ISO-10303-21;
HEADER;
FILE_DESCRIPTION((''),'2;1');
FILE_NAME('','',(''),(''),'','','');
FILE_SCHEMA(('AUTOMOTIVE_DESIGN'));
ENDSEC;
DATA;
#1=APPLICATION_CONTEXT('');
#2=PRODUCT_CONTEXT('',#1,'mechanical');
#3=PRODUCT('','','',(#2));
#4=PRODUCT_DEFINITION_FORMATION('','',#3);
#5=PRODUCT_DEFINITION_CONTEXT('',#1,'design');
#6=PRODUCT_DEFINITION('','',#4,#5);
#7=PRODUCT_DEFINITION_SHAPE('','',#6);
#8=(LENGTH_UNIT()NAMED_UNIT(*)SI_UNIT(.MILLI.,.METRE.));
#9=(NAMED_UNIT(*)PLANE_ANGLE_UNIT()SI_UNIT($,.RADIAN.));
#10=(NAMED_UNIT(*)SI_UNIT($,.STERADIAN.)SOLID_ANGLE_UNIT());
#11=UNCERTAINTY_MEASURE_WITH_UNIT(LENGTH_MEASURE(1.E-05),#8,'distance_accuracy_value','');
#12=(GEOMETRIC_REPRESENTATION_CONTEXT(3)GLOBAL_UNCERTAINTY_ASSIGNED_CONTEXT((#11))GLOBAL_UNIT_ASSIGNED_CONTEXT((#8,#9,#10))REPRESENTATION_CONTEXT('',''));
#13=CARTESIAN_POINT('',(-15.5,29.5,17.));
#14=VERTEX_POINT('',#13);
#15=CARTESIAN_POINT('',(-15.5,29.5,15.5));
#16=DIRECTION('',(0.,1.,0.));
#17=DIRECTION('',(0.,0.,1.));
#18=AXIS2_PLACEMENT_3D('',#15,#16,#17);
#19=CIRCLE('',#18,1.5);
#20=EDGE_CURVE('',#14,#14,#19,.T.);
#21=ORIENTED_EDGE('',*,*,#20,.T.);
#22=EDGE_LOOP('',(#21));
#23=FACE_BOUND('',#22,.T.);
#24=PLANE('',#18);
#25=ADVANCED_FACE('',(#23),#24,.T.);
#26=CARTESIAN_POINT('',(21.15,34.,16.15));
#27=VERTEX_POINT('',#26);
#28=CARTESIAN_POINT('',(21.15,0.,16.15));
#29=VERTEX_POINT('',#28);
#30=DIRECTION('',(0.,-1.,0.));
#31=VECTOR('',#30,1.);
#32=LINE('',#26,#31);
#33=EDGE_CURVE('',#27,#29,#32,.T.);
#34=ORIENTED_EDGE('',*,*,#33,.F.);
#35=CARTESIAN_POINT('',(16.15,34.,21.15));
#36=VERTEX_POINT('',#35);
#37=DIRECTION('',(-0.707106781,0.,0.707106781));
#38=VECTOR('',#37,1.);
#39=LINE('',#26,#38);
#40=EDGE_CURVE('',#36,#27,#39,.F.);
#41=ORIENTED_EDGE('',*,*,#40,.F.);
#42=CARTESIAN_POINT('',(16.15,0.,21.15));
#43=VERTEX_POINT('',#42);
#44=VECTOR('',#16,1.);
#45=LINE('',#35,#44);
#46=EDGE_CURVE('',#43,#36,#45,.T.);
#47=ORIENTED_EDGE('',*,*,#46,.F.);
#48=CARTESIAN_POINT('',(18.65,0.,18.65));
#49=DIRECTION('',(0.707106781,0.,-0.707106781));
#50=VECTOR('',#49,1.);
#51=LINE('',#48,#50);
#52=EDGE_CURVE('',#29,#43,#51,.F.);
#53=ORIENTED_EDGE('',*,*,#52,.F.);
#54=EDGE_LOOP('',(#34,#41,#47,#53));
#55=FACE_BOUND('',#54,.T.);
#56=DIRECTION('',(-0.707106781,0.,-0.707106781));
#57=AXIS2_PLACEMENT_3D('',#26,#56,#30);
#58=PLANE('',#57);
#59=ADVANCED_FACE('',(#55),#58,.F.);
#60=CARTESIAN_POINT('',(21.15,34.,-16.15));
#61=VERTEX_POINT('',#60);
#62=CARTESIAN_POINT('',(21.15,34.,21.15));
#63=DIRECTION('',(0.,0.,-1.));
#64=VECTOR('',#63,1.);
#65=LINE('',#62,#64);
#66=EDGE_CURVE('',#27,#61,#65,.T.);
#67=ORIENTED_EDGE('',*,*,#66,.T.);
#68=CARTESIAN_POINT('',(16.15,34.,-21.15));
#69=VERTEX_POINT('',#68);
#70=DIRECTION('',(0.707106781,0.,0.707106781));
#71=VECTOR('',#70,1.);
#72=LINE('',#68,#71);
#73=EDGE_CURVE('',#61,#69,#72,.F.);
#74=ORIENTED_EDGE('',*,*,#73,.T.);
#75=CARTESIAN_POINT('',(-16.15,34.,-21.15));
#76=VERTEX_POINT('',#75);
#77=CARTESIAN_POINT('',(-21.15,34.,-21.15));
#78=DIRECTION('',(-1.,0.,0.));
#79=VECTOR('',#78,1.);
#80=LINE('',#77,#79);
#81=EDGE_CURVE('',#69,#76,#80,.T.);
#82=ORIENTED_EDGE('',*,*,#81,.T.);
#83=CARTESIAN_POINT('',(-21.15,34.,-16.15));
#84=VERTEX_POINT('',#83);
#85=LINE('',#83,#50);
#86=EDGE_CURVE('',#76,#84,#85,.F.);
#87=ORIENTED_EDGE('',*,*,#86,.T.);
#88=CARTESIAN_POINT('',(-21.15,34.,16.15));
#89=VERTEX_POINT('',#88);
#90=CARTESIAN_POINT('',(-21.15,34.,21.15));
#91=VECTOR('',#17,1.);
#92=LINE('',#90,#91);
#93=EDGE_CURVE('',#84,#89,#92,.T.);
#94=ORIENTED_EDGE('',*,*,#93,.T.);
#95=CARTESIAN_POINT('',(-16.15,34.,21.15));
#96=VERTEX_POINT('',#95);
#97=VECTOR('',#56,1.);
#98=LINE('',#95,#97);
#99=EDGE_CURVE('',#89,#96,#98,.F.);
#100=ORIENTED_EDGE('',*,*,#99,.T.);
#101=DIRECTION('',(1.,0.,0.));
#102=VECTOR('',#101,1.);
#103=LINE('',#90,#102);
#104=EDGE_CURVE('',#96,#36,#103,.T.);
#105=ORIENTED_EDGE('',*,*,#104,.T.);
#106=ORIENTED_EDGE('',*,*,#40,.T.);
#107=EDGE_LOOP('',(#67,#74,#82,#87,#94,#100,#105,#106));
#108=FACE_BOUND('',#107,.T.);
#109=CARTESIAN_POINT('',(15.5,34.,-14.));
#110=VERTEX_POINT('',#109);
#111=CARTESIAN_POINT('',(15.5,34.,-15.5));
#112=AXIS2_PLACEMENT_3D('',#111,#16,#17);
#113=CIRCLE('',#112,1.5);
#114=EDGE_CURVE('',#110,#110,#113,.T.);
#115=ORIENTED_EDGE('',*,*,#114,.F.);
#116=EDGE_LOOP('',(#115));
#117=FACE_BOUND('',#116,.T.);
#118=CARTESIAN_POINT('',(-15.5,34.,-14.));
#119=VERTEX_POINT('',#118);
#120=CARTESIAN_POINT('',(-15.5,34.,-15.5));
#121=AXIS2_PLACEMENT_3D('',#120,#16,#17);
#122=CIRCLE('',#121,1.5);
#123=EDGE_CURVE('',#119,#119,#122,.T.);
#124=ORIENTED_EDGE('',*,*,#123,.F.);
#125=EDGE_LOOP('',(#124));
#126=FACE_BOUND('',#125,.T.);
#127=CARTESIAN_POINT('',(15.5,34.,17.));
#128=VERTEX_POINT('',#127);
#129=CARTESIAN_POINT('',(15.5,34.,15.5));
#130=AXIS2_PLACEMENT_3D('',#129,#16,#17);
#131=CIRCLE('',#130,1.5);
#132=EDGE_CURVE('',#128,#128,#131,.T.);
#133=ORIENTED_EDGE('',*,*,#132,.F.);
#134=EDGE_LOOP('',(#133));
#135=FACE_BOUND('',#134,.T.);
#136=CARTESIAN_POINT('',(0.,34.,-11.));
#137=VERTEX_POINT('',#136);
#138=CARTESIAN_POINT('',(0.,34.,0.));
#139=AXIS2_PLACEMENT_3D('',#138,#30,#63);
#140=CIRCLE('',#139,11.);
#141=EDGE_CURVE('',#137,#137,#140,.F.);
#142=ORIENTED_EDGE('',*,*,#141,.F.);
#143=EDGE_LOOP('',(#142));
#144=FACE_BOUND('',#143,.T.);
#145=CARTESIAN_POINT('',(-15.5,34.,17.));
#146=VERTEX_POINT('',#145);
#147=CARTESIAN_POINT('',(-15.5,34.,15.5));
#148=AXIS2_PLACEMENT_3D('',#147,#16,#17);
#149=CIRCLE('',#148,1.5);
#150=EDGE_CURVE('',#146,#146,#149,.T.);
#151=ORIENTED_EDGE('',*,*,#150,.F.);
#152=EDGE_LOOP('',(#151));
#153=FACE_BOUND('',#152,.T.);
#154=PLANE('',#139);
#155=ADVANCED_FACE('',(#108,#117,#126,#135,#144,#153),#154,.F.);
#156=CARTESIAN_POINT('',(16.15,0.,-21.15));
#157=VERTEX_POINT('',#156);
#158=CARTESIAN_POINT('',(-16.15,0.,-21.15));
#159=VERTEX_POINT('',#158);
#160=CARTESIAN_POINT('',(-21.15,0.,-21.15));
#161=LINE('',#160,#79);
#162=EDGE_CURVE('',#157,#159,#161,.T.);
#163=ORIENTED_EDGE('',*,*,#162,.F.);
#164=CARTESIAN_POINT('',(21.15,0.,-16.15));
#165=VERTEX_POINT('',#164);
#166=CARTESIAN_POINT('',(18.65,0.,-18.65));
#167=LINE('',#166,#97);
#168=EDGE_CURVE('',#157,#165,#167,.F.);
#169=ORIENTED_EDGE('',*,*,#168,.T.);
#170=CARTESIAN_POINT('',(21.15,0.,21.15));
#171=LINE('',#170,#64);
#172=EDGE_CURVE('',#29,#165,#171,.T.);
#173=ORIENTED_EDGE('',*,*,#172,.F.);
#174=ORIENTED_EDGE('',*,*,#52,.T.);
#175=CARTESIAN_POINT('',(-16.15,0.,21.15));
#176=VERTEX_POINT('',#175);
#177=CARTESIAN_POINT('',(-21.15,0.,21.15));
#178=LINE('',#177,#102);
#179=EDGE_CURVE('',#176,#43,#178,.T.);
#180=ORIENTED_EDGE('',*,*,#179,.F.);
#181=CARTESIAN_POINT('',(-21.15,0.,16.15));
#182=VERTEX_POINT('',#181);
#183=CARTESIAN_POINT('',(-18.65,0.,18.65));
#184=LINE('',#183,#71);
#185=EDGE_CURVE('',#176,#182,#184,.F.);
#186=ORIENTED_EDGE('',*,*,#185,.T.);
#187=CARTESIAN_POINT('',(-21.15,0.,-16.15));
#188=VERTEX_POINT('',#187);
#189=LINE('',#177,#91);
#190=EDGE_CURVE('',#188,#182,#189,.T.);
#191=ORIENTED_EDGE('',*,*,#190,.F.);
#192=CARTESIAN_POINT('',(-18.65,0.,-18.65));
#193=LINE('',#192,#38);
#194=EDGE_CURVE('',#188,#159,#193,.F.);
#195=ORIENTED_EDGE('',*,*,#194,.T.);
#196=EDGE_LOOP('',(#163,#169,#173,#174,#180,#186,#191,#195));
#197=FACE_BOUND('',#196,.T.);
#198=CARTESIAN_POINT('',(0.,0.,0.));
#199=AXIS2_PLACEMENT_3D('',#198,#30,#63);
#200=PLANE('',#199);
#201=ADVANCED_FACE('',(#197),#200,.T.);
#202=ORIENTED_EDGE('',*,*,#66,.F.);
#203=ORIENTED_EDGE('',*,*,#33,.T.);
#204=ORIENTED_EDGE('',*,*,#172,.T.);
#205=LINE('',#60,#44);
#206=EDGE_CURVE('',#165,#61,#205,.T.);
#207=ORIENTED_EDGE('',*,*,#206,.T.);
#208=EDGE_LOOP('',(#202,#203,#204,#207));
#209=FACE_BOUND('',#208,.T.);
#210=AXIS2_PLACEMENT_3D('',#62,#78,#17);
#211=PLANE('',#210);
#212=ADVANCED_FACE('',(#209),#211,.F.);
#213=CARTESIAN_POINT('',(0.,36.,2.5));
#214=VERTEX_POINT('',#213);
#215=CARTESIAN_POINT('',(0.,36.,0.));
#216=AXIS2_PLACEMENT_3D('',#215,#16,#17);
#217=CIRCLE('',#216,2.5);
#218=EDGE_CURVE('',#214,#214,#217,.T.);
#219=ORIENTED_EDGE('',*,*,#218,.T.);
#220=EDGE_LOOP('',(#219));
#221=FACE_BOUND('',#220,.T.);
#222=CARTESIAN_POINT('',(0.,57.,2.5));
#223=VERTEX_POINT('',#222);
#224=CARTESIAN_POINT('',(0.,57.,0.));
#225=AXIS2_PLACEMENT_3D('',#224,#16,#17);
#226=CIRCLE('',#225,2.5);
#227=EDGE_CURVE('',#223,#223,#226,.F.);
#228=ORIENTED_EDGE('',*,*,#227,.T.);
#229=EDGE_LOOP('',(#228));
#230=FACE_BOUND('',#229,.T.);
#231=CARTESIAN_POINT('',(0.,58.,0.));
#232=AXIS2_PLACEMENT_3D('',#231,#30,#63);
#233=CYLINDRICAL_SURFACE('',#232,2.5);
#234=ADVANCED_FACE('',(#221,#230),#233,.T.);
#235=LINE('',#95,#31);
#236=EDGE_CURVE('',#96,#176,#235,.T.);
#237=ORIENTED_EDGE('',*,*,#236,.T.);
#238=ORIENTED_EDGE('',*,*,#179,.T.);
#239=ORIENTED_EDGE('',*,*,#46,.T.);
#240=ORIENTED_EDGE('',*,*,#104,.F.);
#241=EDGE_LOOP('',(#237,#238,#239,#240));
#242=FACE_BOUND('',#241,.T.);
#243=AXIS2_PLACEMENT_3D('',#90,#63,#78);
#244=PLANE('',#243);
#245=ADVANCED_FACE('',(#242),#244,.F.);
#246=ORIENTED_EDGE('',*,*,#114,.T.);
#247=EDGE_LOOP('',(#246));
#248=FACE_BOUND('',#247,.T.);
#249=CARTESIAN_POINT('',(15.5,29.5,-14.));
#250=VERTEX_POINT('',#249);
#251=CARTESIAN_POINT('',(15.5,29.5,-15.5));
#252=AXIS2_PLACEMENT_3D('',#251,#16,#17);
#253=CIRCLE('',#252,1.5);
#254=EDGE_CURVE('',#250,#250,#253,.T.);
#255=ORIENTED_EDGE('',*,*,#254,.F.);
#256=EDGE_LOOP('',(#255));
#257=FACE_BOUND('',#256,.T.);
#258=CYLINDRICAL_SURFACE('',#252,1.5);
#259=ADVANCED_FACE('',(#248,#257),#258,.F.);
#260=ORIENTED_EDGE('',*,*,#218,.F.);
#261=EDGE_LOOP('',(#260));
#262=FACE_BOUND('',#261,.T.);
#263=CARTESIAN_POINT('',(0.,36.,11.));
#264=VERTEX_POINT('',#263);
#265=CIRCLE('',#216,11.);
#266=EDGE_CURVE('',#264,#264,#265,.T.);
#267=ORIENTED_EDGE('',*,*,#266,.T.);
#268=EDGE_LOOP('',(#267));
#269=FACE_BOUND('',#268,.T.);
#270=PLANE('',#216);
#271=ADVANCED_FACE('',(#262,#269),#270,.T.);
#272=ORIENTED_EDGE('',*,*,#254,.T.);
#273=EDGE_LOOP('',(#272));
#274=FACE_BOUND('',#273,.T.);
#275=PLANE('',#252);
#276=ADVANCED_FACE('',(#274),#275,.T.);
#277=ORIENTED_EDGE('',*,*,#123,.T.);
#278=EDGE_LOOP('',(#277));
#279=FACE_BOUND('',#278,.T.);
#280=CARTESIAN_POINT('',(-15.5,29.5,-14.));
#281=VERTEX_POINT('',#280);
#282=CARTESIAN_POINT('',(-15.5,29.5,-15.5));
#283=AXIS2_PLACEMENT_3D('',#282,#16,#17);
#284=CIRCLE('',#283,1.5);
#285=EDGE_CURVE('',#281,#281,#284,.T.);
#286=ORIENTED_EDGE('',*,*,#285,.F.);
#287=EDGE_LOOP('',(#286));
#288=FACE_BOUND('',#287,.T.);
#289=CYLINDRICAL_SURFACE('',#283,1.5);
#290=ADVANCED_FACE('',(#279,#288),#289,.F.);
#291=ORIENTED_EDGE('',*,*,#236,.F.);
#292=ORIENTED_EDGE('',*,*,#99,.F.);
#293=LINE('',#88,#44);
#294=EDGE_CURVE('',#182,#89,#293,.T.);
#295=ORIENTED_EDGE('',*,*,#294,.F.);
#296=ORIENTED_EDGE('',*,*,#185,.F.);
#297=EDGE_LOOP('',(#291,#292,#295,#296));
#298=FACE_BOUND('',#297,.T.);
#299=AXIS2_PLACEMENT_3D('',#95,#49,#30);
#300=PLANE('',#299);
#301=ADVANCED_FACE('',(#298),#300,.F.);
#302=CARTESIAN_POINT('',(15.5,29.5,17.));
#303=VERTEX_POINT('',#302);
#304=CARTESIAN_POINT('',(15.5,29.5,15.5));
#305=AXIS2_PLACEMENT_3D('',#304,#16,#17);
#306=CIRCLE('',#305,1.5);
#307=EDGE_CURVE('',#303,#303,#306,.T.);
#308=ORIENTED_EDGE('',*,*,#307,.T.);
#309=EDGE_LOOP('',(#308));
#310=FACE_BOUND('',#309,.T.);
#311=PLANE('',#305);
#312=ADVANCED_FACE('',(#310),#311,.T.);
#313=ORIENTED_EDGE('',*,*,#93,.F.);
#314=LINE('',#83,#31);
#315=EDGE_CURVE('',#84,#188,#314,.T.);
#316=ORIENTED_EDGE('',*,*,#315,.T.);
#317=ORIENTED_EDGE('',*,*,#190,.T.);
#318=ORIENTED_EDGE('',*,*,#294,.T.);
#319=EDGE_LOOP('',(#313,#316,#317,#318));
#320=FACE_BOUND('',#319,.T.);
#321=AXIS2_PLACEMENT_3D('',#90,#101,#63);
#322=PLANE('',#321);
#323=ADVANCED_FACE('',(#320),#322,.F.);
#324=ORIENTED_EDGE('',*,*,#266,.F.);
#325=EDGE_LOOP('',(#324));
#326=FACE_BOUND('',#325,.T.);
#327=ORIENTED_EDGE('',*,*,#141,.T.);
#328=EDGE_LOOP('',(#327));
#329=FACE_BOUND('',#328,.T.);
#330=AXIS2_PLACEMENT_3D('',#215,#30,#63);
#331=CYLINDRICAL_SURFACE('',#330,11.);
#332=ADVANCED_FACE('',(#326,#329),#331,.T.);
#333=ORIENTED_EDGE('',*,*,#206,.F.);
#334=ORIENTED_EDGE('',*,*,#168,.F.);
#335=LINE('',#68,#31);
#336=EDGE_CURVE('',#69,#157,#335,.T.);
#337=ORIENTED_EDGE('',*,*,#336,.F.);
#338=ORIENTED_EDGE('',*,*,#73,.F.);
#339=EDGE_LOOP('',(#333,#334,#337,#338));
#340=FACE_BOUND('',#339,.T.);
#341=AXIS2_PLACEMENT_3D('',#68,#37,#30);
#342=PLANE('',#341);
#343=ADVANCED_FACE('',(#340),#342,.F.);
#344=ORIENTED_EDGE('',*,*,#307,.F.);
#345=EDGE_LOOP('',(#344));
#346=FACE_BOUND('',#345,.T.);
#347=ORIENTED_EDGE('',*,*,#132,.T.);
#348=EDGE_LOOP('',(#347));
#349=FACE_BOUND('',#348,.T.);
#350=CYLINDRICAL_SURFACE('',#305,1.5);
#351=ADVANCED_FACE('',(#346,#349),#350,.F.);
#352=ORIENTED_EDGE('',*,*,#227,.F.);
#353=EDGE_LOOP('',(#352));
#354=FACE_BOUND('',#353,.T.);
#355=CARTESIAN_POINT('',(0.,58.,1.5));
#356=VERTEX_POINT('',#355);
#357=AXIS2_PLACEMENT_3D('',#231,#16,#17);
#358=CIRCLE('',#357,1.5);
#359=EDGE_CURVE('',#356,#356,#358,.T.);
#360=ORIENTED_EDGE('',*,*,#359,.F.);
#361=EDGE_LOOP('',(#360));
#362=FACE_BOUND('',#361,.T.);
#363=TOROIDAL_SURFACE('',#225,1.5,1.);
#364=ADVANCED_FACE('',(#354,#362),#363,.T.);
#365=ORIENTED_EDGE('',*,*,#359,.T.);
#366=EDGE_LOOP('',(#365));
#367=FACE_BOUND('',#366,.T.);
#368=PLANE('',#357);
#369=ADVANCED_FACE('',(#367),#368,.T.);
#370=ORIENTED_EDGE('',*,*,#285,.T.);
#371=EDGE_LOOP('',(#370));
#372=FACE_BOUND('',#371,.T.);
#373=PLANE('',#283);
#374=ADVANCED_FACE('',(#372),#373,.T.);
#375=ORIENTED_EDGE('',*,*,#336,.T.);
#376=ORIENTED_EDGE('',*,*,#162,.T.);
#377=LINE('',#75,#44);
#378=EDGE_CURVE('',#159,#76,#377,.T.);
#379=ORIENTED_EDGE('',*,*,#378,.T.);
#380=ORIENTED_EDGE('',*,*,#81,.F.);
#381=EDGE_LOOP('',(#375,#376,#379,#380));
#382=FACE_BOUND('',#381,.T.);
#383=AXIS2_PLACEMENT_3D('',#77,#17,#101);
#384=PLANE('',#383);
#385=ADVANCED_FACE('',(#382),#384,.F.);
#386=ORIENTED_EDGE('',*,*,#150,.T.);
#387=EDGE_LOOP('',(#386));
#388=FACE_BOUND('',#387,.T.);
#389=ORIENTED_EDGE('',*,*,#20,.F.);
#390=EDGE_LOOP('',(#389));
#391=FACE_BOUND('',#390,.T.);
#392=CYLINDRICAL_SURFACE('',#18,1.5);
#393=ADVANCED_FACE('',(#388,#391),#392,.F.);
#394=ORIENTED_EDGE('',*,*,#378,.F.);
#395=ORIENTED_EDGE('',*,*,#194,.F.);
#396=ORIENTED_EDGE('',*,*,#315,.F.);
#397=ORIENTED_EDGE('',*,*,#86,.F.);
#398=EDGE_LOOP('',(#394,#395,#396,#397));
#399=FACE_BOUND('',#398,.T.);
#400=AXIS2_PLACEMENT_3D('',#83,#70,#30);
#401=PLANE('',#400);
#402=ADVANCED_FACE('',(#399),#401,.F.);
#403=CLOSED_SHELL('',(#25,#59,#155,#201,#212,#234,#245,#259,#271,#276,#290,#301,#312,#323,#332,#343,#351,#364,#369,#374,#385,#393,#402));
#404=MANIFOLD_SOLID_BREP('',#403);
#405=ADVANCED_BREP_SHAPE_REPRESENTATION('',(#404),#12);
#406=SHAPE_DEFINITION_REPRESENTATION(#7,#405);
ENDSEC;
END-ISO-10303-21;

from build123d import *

# Parameters (mm, degrees)
SKETCH1_W           = 42.3
SKETCH1_H           = 42.3
BOSS_EXTRUDE1_DEPTH = 34
SKETCH2_R           = 2.5
BOSS_EXTRUDE2_DEPTH = 24
SKETCH3_R           = 11
BOSS_EXTRUDE3_DEPTH = 2
SKETCH4_R           = 1.5
CUT_EXTRUDE1_DEPTH  = 4.5
CHAMFER1_SIZE       = 5
FILLET1_R           = 1


with BuildPart() as part:
    # Sketch1 → Boss-Extrude1 (new body)
    with BuildSketch(Plane(origin=(0, 0, 0), x_dir=(1, 0, 0), z_dir=(0, 1, 0))):
        Rectangle(SKETCH1_W, SKETCH1_H)
    extrude(amount=BOSS_EXTRUDE1_DEPTH)

    # Sketch2 → Boss-Extrude2 (add)
    with BuildSketch(Plane(origin=(0, 34, 0), x_dir=(1, 0, 0), z_dir=(0, 1, 0))):
        with Locations(Location((0, 0, 0), (0, 0, 90))):
            Circle(SKETCH2_R)
    extrude(amount=BOSS_EXTRUDE2_DEPTH)

    # Sketch3 → Boss-Extrude3 (add)
    with BuildSketch(Plane(origin=(0, 34, 0), x_dir=(1, 0, 0), z_dir=(0, 1, 0))):
        with Locations(Location((0, 0, 0), (0, 0, 90))):
            Circle(SKETCH3_R)
    extrude(amount=BOSS_EXTRUDE3_DEPTH)

    # Sketch4 → Cut-Extrude1 (cut)
    with BuildSketch(Plane(origin=(0, 34, 0), x_dir=(1, 0, 0), z_dir=(0, 1, 0))):
        with Locations(Location((-15.5, 15.5, 0), (0, 0, 270))):
            Circle(SKETCH4_R)
        with Locations(Location((15.5, 15.5, 0), (0, 0, 270))):
            Circle(SKETCH4_R)
        with Locations(Location((15.5, -15.5, 0), (0, 0, 270))):
            Circle(SKETCH4_R)
        with Locations(Location((-15.5, -15.5, 0), (0, 0, 270))):
            Circle(SKETCH4_R)
    extrude(amount=-CUT_EXTRUDE1_DEPTH, mode=Mode.SUBTRACT)

    # Chamfer1
    chamfer1_edges = [part.edges().sort_by_distance(p)[0] for p in [
        (21.15, 17, 21.15),
        (-21.15, 17, 21.15),
        (-21.15, 17, -21.15),
        (21.15, 17, -21.15),
    ]]
    chamfer(chamfer1_edges, length=CHAMFER1_SIZE)

    # Fillet1
    fillet1_edges = [part.edges().sort_by_distance(p)[0] for p in [
        (0, 58, 2.5),
    ]]
    fillet(fillet1_edges, radius=FILLET1_R)


solid = part.part
